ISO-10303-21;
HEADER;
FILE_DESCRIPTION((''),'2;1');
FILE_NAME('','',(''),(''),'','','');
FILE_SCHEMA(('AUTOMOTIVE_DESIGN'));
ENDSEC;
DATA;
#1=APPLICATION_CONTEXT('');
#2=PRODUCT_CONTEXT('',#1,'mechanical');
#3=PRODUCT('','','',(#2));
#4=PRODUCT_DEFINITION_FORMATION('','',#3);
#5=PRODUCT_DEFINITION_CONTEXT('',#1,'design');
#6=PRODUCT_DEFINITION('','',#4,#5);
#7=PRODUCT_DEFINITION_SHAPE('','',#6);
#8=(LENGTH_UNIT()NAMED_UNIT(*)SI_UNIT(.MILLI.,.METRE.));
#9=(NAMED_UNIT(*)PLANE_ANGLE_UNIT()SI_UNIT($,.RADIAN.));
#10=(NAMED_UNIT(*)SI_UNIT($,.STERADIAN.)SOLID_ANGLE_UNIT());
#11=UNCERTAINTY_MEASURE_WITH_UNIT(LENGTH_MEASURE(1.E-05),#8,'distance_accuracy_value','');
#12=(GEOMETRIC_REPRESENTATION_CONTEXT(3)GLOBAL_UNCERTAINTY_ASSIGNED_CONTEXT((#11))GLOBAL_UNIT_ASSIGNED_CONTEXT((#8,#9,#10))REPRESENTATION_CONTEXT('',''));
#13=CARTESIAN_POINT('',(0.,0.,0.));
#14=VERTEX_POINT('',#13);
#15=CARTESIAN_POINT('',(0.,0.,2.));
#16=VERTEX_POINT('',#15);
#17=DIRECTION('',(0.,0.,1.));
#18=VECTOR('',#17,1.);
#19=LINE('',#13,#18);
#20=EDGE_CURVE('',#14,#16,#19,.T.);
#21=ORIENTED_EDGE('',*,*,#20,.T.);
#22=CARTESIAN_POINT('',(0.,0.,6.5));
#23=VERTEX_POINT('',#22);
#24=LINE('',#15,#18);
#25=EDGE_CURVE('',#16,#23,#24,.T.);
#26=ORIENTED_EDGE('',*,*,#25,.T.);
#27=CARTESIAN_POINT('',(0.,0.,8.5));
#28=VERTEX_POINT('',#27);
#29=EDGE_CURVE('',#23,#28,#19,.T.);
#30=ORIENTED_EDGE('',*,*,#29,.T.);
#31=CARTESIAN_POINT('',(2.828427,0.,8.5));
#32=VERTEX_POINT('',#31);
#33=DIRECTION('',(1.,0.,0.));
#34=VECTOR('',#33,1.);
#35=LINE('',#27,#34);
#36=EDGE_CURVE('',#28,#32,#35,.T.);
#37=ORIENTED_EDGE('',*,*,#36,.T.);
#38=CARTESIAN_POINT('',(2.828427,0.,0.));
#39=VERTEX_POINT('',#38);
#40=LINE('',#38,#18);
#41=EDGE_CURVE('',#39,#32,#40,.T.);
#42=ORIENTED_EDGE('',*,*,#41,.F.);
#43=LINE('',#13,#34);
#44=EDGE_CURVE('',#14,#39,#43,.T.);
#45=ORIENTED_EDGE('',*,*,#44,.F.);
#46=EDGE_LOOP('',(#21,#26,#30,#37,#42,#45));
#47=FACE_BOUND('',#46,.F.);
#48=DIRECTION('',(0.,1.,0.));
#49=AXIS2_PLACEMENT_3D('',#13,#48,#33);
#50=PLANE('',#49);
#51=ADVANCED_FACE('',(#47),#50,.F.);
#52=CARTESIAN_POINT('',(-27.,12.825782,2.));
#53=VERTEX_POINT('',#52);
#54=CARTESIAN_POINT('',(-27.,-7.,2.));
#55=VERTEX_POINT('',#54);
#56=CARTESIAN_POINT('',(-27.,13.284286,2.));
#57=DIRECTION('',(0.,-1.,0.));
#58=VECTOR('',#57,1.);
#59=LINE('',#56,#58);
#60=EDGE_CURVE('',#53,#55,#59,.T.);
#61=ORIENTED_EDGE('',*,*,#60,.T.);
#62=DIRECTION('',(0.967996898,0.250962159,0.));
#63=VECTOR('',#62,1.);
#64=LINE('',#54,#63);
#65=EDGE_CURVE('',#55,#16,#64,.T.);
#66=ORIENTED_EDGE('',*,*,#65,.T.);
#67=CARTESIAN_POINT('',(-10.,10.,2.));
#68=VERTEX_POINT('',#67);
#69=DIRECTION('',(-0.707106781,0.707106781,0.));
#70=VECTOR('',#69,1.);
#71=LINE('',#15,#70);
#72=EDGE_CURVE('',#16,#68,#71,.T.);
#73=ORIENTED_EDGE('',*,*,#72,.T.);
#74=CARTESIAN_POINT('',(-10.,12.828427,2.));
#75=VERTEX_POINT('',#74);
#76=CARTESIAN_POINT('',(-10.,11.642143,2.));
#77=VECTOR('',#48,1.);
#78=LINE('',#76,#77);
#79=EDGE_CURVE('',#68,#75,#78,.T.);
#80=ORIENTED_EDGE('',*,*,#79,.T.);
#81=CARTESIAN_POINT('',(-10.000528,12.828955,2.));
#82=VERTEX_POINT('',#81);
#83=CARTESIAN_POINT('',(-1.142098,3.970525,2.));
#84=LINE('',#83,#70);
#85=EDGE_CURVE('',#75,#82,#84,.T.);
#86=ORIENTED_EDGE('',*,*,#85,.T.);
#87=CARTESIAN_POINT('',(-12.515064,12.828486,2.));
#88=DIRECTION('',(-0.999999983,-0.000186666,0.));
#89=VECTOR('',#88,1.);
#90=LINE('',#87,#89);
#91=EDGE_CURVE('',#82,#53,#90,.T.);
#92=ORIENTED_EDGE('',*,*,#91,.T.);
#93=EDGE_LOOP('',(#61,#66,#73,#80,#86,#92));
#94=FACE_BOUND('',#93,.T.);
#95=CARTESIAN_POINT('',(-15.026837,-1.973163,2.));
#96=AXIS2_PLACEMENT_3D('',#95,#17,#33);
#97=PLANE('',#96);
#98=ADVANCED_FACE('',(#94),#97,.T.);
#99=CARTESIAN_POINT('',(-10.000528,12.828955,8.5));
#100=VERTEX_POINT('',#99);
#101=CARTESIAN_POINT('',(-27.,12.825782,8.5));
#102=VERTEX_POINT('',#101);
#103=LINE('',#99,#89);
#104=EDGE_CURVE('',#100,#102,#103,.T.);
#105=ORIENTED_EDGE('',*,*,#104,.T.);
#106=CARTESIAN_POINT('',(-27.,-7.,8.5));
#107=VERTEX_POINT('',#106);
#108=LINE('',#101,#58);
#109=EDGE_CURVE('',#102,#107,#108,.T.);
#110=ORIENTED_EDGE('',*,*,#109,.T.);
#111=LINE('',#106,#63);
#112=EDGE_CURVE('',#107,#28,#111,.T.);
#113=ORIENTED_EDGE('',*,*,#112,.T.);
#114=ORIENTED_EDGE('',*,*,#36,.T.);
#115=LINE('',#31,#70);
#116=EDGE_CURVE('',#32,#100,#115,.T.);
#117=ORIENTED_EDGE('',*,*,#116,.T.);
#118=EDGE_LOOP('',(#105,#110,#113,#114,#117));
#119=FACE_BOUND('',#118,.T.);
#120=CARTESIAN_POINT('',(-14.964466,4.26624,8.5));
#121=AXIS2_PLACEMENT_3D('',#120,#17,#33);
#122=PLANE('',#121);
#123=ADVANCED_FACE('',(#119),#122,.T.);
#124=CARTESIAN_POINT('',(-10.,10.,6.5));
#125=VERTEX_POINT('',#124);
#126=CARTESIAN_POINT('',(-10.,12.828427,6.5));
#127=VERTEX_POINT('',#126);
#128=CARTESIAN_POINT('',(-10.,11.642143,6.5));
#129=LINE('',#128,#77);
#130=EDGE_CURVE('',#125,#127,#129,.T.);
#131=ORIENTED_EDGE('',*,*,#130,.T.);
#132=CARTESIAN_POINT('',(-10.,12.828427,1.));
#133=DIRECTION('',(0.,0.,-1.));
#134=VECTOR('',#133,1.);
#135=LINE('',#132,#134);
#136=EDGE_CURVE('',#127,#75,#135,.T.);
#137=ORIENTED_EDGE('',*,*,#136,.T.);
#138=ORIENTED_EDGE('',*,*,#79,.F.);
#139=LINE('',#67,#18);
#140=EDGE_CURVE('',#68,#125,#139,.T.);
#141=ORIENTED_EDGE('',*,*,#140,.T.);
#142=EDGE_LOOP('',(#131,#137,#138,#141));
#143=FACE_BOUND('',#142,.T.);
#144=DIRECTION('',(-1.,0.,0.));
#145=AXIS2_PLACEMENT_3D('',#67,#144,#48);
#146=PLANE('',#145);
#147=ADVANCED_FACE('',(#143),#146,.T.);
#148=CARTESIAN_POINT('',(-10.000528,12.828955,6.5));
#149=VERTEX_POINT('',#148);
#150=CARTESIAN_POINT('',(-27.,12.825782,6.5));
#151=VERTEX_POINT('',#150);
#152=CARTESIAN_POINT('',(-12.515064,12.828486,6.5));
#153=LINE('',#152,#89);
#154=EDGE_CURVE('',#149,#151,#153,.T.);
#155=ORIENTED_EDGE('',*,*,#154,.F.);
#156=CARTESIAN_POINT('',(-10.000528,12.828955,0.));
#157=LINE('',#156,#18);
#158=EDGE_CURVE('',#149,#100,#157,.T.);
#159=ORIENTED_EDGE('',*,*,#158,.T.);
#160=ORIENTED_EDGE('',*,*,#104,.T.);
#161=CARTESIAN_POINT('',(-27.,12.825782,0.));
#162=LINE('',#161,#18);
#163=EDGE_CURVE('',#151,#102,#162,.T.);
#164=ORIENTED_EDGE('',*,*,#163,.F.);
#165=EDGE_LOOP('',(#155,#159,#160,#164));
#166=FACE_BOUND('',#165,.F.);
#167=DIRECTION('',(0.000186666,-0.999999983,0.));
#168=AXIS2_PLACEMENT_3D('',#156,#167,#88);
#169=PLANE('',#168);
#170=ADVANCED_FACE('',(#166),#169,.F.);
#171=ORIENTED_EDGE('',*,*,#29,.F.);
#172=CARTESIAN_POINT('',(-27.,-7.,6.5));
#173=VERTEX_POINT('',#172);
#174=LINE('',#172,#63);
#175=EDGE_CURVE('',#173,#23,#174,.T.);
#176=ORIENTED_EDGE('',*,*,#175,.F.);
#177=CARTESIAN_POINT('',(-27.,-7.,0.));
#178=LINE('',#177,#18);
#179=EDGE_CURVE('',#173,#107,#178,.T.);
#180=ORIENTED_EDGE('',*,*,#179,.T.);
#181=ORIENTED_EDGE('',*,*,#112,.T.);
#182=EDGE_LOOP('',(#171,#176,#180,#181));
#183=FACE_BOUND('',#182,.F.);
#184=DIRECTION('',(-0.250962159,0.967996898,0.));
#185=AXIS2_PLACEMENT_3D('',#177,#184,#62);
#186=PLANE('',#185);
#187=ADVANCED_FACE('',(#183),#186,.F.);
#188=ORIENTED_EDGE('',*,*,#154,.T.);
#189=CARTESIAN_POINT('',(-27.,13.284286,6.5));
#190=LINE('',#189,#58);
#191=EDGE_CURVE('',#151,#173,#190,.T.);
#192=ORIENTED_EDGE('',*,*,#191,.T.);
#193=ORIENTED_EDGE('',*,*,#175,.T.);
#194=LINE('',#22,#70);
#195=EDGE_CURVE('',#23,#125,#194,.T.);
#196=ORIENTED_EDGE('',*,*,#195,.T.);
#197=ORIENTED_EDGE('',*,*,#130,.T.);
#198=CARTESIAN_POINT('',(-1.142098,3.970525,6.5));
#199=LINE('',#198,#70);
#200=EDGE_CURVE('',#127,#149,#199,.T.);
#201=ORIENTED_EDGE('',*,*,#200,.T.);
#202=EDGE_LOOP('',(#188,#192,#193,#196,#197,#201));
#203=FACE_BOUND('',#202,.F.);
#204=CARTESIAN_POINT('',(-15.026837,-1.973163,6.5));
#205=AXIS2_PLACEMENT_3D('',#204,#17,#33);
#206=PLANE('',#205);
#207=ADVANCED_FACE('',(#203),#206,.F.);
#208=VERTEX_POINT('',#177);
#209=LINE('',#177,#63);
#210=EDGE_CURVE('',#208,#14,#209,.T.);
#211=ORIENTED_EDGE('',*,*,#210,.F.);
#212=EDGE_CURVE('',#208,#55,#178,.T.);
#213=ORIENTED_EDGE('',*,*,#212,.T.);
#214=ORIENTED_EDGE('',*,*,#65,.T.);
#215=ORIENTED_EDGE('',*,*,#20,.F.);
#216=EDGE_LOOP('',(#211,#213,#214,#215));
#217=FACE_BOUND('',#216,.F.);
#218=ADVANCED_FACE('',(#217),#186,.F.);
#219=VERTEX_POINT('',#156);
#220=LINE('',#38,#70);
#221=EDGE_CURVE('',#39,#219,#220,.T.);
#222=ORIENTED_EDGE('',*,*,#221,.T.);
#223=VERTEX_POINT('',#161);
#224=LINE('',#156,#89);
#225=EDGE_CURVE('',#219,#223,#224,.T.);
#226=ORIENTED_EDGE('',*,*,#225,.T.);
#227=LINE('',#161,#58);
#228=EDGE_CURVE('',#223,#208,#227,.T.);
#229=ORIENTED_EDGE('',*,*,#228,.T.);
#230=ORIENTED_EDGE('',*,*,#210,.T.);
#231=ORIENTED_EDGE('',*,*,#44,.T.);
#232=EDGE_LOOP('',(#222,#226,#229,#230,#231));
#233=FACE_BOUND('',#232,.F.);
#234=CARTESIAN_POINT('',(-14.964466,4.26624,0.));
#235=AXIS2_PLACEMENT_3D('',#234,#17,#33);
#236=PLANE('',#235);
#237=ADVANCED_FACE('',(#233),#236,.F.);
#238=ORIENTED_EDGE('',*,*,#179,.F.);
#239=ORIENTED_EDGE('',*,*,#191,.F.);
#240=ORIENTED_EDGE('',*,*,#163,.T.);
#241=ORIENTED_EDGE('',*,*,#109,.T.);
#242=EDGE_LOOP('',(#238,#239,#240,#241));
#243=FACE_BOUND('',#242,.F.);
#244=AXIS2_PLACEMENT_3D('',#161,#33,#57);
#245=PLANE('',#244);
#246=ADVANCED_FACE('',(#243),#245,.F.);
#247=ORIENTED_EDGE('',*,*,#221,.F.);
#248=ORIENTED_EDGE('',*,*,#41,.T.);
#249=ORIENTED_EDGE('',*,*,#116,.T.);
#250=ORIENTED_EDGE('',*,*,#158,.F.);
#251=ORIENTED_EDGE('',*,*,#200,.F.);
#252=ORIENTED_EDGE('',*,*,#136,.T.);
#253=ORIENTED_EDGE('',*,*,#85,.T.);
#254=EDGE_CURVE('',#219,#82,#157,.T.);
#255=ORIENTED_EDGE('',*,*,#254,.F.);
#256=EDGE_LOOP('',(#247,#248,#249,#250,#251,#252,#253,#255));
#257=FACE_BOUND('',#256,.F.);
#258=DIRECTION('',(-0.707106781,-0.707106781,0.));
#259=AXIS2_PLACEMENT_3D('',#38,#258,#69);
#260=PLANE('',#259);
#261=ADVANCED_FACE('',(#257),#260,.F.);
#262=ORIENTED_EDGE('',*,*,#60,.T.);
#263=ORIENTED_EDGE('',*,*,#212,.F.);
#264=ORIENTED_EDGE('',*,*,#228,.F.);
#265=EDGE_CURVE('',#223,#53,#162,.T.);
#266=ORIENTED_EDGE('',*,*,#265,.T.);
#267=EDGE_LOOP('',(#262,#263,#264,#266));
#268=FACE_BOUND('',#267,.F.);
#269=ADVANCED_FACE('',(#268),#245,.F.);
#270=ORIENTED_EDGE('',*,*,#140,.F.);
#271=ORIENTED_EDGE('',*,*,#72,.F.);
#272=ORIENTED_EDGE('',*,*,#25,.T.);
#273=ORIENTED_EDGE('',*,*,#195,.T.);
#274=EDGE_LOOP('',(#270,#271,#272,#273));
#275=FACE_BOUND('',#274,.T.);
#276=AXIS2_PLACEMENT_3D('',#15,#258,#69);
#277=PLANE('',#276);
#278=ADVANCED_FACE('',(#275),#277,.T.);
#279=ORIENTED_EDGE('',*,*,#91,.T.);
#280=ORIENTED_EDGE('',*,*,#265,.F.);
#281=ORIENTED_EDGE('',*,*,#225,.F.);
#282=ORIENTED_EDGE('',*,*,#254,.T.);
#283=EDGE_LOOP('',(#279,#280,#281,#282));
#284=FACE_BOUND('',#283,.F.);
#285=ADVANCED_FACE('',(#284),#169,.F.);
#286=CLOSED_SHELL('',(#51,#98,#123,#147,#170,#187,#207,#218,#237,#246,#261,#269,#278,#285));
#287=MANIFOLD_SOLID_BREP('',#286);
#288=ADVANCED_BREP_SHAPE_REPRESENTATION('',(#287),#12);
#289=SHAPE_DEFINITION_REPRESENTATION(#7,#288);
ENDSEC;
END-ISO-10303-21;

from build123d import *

# Parameters (mm, degrees)
F1_DEPTH = 8.5
F3_START = 2
F2_W     = 17
F2_H     = 3.2842862599
F3_DEPTH = 4.5


with BuildPart() as f1:
    # F0 (on Top) → F1 (new body)
    with BuildSketch(Plane.XY):
        Polygon((-27, 0), (0, 0), (-10, 10), (-27, 10), align=None)
        Polygon((-27, -7), (0, 0), (-27, 0), align=None)
        Polygon((-10, 10), (0, 0), (2.8284271247, 0), (-10.0005280692, 12.828955194), align=None)
        Polygon((-27, 10), (-10, 10), (-10.0005280692, 12.828955194), (-27, 12.8257819737), align=None)
    extrude(amount=F1_DEPTH)

    # F2 (on Top) → F3 (cut)
    with BuildSketch(Plane.XY.offset(F3_START)):
        Polygon((-27, -7), (0, 0), (-27, 0), align=None)
        Polygon((-27, 0), (0, 0), (-10, 10), (-27, 10), align=None)
        with Locations((-18.5, 11.6421431299)):
            Rectangle(F2_W, F2_H)
    extrude(amount=F3_DEPTH, mode=Mode.SUBTRACT)


solid = f1.part
